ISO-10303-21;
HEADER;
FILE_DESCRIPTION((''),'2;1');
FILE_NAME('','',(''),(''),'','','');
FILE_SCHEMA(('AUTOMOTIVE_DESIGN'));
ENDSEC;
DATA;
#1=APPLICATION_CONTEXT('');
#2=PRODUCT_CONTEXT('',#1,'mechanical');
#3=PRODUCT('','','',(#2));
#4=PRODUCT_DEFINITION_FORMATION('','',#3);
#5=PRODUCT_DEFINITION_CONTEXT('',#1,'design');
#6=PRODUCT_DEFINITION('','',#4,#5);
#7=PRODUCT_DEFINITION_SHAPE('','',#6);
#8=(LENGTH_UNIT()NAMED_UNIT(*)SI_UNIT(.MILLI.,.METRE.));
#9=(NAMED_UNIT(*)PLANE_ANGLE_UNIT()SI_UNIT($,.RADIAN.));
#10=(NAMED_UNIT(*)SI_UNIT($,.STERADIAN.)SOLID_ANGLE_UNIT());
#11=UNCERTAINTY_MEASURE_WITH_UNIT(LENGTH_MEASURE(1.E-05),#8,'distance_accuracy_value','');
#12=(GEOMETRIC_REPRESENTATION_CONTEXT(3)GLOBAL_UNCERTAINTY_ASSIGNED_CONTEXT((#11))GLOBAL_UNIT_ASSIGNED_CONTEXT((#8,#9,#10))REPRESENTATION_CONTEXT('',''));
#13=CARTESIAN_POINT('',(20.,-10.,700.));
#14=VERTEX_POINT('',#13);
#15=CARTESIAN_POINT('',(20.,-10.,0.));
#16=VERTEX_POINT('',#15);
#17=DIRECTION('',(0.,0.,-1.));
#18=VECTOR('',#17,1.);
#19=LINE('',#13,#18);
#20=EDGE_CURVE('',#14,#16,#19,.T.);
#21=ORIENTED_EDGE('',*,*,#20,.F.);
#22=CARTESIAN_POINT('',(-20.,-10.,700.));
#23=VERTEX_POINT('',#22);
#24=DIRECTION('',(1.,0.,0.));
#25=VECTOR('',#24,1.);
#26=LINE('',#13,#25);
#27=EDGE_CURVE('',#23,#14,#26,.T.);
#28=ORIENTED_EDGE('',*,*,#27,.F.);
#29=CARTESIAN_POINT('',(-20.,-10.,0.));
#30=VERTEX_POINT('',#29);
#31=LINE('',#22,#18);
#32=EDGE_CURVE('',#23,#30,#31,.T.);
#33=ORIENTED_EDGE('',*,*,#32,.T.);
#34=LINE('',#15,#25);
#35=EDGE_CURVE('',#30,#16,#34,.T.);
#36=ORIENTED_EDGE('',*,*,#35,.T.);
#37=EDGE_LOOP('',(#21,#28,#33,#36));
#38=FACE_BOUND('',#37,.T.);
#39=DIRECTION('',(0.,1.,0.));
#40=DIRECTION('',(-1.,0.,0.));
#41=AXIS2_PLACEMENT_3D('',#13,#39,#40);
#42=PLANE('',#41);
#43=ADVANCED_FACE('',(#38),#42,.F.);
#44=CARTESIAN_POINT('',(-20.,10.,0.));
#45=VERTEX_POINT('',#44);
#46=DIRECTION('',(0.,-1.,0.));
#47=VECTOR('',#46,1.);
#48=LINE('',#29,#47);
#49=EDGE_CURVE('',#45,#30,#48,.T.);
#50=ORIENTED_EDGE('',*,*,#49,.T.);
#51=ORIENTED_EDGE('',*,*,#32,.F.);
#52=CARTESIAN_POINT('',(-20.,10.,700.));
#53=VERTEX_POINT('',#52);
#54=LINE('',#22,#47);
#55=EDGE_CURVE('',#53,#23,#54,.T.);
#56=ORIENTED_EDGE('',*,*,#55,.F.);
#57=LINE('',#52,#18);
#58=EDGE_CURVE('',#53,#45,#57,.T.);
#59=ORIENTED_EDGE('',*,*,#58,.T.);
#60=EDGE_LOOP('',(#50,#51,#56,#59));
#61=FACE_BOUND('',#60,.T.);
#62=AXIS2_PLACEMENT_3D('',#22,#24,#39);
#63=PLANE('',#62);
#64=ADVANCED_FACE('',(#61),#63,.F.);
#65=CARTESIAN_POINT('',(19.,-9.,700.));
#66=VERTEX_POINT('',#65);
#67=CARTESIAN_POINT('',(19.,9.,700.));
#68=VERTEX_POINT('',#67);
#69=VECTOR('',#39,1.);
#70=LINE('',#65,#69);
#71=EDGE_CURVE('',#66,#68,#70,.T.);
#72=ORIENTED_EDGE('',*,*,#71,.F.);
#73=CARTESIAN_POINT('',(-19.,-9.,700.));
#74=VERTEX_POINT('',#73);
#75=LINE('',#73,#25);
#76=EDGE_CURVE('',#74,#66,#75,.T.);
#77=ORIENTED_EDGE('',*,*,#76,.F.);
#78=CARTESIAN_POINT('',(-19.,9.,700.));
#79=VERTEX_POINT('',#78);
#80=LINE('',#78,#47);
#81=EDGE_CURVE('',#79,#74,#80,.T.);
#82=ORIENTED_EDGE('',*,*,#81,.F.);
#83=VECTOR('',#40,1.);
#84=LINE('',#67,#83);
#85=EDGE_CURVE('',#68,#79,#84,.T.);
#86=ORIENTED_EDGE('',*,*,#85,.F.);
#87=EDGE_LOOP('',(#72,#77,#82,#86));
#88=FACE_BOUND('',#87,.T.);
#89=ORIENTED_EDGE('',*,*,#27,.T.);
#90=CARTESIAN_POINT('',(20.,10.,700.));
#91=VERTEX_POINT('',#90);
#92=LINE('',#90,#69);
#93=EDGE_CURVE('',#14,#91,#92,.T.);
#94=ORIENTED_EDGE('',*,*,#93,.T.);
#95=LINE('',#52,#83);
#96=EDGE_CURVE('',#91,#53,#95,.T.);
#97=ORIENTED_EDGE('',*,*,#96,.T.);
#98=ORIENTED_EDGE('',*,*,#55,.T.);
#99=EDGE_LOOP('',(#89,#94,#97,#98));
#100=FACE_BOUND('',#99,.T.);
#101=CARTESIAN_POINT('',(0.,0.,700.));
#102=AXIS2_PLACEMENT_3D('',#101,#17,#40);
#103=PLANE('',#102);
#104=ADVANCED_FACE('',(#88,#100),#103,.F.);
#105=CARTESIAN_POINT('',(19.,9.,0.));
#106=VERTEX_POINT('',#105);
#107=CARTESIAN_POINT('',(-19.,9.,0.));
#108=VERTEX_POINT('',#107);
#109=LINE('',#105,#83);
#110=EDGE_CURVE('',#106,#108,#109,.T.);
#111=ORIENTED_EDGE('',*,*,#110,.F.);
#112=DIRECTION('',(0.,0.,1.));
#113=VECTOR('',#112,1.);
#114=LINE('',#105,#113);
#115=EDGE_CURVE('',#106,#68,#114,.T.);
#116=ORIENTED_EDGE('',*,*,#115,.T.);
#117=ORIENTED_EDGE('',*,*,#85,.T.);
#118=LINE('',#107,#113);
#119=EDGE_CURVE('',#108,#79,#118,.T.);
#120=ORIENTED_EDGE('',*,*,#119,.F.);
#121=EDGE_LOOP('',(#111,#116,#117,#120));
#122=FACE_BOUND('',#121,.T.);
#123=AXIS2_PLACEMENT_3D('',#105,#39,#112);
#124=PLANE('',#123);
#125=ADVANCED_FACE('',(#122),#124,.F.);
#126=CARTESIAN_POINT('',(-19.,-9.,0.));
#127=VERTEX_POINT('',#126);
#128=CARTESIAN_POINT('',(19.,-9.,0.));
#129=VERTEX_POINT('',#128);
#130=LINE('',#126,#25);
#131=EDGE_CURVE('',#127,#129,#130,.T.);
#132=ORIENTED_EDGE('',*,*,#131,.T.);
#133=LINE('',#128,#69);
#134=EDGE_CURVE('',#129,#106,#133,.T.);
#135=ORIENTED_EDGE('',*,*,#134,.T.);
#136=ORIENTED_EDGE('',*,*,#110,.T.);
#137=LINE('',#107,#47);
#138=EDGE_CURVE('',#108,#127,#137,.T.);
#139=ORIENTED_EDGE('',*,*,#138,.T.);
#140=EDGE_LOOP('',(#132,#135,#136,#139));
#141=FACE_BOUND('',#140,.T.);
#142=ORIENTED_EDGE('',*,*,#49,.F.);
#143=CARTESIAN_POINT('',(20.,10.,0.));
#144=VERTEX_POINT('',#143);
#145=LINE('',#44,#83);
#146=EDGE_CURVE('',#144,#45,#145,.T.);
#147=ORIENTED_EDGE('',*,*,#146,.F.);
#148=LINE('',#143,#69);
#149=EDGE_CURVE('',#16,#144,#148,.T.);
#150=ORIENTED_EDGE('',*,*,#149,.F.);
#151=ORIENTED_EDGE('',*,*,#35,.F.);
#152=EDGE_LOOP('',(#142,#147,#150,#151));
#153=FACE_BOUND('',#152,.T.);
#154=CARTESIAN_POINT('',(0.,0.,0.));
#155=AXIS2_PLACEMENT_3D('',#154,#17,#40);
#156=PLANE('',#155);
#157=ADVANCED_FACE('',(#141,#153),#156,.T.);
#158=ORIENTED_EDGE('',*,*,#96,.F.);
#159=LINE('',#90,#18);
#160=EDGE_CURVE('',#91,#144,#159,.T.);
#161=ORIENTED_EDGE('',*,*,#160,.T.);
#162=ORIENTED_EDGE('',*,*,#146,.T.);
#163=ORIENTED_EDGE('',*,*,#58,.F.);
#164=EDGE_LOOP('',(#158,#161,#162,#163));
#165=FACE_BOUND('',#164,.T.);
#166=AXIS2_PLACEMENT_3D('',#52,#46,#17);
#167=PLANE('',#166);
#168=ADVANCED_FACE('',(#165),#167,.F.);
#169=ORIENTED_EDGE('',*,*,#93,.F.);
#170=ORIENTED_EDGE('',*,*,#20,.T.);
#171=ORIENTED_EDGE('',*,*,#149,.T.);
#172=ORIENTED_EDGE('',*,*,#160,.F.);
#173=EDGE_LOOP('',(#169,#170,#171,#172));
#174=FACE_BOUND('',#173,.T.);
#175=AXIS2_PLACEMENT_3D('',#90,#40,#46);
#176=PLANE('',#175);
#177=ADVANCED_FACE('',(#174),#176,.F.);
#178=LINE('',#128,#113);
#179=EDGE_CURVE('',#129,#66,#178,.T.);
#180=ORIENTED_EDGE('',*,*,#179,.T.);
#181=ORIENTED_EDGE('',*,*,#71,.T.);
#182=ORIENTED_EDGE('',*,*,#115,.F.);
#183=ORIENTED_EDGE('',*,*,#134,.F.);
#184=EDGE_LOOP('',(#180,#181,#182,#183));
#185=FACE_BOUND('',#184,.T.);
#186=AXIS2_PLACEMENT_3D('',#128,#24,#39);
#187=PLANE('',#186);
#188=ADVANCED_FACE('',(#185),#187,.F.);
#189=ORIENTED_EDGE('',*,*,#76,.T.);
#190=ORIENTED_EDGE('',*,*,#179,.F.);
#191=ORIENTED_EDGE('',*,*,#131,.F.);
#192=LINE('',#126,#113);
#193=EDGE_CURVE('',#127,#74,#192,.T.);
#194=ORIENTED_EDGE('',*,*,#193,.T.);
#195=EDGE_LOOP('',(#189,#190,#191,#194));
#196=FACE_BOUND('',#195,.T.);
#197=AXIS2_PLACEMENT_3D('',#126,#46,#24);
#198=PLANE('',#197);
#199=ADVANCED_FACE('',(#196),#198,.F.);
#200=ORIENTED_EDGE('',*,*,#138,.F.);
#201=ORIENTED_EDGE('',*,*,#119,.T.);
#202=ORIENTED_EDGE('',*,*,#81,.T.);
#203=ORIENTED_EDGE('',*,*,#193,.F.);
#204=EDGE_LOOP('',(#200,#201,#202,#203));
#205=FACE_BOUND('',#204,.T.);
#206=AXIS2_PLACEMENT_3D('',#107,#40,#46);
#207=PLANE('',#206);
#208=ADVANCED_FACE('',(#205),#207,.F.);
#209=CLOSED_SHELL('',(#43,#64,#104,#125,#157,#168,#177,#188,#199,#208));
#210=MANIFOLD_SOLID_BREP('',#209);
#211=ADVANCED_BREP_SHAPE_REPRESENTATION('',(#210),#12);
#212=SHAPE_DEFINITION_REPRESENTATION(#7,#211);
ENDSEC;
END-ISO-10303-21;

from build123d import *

# Parameters (mm, degrees)
SKETCH1_W           = 40
SKETCH1_H           = 20
BOSS_EXTRUDE1_DEPTH = 700
SKETCH2_W           = 38
SKETCH2_H           = 18
CUT_EXTRUDE1_DEPTH  = 700


with BuildPart() as part:
    # Sketch1 → Boss-Extrude1 (new body)
    with BuildSketch(Plane.XY):
        Rectangle(SKETCH1_W, SKETCH1_H)
    extrude(amount=BOSS_EXTRUDE1_DEPTH)

    # Sketch2 → Cut-Extrude1 (cut)
    with BuildSketch(Plane.XY.offset(700)):
        Rectangle(SKETCH2_W, SKETCH2_H)
    extrude(amount=-CUT_EXTRUDE1_DEPTH, mode=Mode.SUBTRACT)


solid = part.part
